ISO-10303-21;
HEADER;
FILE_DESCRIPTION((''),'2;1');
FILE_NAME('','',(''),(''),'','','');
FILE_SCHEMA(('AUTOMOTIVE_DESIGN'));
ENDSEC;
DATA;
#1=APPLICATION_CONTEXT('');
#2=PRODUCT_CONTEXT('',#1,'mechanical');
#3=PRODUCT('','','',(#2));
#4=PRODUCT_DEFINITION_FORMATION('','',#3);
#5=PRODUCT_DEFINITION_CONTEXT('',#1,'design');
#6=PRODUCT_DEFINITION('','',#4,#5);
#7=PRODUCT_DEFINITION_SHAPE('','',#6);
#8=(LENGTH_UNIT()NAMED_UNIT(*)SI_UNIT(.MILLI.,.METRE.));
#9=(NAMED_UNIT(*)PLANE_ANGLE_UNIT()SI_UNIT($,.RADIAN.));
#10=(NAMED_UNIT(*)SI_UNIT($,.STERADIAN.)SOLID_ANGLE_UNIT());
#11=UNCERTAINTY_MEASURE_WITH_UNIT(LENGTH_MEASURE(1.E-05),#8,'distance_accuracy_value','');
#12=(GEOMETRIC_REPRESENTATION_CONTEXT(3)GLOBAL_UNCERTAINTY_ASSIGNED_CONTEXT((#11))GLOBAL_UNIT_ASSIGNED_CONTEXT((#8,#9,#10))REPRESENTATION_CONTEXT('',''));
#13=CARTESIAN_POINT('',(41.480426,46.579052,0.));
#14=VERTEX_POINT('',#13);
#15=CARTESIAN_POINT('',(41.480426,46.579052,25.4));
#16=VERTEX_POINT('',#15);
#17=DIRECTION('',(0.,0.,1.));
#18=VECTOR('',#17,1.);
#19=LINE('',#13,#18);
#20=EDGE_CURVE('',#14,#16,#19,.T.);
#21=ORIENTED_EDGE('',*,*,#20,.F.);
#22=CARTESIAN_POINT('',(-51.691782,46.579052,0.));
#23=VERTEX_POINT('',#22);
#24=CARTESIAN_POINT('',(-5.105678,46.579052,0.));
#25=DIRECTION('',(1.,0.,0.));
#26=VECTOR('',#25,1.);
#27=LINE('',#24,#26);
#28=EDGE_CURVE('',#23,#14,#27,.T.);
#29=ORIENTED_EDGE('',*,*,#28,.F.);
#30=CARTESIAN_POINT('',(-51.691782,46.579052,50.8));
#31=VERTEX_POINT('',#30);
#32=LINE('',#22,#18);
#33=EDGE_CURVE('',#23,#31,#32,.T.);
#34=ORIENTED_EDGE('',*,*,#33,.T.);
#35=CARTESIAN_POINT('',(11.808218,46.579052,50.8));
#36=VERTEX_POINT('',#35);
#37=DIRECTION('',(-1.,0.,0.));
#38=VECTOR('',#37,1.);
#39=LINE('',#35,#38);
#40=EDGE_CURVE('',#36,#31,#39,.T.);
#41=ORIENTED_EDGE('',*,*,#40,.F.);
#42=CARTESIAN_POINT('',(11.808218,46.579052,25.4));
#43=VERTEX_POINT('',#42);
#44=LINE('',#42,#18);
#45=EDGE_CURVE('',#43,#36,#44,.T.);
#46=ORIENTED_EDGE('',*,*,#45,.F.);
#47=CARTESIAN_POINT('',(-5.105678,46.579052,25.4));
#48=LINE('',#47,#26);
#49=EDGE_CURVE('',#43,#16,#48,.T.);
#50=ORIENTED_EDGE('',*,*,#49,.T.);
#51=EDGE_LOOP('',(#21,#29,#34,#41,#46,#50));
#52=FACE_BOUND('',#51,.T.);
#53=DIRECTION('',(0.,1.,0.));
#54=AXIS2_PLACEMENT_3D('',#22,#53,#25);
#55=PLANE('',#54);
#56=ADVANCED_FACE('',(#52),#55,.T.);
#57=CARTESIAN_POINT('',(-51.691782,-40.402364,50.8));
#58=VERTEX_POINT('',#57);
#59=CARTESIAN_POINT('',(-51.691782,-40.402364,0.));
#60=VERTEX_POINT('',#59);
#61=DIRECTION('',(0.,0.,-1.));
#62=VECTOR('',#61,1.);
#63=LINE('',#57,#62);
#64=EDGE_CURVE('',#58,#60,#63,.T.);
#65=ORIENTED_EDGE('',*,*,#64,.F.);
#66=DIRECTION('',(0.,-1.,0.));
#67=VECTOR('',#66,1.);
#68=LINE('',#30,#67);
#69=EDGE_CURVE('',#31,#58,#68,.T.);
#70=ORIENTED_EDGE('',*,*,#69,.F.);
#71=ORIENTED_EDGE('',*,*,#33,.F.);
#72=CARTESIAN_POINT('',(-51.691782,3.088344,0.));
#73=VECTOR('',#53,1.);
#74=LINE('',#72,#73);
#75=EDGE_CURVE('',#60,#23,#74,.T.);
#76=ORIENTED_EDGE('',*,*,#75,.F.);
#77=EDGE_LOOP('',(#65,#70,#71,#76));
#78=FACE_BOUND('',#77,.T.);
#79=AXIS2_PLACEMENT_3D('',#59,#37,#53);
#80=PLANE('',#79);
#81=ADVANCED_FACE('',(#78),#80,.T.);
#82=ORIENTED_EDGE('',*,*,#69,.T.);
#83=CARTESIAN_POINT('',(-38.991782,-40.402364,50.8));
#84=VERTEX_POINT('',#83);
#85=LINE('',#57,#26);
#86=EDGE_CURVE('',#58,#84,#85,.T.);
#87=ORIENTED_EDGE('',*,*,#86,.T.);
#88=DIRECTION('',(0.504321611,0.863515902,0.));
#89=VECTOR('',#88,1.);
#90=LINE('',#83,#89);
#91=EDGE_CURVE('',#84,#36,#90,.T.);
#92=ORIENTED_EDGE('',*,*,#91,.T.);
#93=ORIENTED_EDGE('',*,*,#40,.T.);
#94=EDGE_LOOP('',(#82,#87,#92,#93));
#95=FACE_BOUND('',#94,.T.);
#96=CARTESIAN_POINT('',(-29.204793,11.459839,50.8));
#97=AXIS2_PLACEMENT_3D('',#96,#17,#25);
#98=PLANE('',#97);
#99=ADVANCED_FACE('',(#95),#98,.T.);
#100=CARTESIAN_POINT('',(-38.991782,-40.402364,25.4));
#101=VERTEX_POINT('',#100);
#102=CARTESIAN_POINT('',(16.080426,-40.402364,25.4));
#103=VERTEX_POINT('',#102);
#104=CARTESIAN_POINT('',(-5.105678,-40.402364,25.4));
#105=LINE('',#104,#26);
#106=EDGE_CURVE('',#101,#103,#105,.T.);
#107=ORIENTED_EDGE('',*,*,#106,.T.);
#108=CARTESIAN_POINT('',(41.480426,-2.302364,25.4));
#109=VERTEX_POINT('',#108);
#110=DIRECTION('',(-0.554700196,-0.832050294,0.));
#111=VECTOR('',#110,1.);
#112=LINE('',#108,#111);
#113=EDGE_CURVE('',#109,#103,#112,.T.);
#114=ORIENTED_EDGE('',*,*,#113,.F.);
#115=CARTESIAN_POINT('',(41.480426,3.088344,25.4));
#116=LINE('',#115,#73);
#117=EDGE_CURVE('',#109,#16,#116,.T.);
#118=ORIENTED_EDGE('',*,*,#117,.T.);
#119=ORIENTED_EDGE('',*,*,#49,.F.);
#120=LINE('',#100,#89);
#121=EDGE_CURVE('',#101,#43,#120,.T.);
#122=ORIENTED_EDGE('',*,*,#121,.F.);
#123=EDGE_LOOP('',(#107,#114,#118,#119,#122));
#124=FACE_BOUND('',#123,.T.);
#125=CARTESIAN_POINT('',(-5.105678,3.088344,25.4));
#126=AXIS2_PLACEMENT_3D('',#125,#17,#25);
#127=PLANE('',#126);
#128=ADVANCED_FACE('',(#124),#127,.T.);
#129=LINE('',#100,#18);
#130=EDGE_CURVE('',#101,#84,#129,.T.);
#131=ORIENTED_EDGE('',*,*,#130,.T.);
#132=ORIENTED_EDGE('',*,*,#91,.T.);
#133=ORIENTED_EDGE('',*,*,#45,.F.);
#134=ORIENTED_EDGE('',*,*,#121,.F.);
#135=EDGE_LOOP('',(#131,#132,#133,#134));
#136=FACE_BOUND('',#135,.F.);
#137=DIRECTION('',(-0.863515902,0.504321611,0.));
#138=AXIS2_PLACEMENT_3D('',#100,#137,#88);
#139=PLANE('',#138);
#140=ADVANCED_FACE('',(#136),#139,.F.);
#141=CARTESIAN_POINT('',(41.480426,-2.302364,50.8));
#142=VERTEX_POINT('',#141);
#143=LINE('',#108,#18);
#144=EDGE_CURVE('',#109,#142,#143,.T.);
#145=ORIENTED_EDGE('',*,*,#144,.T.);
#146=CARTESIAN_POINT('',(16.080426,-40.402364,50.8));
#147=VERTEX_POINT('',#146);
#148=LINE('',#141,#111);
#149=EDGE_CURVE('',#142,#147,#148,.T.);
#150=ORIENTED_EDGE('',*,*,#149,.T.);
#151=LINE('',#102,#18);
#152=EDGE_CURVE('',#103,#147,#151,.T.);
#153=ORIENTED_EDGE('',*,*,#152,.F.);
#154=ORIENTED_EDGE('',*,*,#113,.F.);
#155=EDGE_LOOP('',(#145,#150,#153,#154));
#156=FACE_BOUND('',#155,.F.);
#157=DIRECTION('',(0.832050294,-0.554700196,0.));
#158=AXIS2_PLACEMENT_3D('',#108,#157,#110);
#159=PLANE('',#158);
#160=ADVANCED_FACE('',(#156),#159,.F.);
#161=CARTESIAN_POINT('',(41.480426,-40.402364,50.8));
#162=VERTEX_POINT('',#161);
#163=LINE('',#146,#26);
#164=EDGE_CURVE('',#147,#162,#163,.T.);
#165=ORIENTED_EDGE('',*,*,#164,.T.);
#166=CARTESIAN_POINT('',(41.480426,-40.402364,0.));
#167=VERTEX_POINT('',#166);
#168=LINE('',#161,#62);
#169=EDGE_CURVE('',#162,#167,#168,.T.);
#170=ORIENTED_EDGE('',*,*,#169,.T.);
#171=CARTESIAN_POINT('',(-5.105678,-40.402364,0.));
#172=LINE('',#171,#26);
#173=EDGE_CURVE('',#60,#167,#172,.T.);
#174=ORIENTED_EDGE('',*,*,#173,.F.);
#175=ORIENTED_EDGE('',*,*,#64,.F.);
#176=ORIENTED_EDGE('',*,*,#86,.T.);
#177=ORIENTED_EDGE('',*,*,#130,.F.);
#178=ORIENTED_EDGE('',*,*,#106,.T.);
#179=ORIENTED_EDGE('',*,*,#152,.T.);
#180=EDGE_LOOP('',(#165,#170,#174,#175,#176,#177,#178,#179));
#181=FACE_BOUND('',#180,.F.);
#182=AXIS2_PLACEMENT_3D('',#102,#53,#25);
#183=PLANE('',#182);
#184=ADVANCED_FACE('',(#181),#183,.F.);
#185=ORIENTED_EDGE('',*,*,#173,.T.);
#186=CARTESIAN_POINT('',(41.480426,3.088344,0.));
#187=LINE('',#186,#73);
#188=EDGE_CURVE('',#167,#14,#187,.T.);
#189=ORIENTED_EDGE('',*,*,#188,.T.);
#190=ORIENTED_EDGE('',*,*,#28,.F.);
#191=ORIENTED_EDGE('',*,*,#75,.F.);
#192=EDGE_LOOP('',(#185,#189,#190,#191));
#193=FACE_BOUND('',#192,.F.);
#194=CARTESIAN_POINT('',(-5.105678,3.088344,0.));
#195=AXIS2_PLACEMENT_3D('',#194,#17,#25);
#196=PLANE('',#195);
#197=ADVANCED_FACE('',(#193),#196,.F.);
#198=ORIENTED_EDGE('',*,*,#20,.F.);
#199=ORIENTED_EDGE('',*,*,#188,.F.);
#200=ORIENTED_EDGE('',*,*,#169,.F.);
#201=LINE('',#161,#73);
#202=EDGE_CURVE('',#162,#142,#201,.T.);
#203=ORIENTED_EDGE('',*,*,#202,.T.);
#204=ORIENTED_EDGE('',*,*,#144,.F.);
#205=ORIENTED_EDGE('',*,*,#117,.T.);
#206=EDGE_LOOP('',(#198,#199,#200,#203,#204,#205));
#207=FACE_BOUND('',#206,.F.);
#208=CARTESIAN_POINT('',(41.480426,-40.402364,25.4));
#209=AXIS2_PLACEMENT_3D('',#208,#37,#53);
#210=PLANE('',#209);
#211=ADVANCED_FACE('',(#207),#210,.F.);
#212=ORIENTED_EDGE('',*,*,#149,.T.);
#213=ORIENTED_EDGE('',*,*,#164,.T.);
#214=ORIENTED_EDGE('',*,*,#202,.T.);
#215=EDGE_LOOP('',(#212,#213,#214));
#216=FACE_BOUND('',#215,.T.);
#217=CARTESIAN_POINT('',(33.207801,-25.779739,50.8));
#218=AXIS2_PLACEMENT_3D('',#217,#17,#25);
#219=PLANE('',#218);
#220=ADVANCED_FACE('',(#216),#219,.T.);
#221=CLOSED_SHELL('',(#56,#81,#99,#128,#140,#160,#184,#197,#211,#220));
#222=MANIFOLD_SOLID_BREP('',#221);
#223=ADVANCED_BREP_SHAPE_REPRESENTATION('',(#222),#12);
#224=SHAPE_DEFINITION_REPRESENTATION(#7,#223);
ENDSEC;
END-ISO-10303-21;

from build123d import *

# Parameters (mm, degrees)
F0_W     = 93.172208
F0_H     = 86.981416
F1_DEPTH = 25.4
F3_DEPTH = 25.4


with BuildPart() as f1:
    # F0 (on Top) → F1 (new body)
    with BuildSketch(Plane.XY):
        with Locations((-5.105678, 3.088344)):
            Rectangle(F0_W, F0_H)
    extrude(amount=F1_DEPTH)

    # F2 (on face) → F3 (join)
    with BuildSketch(Plane.XY.offset(25.4)):
        Polygon((41.480426, -2.302364), (16.080426, -40.402364), (41.480426, -40.402364), align=None)
        Polygon((-51.691782, -40.402364), (-38.991782, -40.402364), (11.808218, 46.579052), (-51.691782, 46.579052), align=None)
    extrude(amount=F3_DEPTH)


solid = f1.part
